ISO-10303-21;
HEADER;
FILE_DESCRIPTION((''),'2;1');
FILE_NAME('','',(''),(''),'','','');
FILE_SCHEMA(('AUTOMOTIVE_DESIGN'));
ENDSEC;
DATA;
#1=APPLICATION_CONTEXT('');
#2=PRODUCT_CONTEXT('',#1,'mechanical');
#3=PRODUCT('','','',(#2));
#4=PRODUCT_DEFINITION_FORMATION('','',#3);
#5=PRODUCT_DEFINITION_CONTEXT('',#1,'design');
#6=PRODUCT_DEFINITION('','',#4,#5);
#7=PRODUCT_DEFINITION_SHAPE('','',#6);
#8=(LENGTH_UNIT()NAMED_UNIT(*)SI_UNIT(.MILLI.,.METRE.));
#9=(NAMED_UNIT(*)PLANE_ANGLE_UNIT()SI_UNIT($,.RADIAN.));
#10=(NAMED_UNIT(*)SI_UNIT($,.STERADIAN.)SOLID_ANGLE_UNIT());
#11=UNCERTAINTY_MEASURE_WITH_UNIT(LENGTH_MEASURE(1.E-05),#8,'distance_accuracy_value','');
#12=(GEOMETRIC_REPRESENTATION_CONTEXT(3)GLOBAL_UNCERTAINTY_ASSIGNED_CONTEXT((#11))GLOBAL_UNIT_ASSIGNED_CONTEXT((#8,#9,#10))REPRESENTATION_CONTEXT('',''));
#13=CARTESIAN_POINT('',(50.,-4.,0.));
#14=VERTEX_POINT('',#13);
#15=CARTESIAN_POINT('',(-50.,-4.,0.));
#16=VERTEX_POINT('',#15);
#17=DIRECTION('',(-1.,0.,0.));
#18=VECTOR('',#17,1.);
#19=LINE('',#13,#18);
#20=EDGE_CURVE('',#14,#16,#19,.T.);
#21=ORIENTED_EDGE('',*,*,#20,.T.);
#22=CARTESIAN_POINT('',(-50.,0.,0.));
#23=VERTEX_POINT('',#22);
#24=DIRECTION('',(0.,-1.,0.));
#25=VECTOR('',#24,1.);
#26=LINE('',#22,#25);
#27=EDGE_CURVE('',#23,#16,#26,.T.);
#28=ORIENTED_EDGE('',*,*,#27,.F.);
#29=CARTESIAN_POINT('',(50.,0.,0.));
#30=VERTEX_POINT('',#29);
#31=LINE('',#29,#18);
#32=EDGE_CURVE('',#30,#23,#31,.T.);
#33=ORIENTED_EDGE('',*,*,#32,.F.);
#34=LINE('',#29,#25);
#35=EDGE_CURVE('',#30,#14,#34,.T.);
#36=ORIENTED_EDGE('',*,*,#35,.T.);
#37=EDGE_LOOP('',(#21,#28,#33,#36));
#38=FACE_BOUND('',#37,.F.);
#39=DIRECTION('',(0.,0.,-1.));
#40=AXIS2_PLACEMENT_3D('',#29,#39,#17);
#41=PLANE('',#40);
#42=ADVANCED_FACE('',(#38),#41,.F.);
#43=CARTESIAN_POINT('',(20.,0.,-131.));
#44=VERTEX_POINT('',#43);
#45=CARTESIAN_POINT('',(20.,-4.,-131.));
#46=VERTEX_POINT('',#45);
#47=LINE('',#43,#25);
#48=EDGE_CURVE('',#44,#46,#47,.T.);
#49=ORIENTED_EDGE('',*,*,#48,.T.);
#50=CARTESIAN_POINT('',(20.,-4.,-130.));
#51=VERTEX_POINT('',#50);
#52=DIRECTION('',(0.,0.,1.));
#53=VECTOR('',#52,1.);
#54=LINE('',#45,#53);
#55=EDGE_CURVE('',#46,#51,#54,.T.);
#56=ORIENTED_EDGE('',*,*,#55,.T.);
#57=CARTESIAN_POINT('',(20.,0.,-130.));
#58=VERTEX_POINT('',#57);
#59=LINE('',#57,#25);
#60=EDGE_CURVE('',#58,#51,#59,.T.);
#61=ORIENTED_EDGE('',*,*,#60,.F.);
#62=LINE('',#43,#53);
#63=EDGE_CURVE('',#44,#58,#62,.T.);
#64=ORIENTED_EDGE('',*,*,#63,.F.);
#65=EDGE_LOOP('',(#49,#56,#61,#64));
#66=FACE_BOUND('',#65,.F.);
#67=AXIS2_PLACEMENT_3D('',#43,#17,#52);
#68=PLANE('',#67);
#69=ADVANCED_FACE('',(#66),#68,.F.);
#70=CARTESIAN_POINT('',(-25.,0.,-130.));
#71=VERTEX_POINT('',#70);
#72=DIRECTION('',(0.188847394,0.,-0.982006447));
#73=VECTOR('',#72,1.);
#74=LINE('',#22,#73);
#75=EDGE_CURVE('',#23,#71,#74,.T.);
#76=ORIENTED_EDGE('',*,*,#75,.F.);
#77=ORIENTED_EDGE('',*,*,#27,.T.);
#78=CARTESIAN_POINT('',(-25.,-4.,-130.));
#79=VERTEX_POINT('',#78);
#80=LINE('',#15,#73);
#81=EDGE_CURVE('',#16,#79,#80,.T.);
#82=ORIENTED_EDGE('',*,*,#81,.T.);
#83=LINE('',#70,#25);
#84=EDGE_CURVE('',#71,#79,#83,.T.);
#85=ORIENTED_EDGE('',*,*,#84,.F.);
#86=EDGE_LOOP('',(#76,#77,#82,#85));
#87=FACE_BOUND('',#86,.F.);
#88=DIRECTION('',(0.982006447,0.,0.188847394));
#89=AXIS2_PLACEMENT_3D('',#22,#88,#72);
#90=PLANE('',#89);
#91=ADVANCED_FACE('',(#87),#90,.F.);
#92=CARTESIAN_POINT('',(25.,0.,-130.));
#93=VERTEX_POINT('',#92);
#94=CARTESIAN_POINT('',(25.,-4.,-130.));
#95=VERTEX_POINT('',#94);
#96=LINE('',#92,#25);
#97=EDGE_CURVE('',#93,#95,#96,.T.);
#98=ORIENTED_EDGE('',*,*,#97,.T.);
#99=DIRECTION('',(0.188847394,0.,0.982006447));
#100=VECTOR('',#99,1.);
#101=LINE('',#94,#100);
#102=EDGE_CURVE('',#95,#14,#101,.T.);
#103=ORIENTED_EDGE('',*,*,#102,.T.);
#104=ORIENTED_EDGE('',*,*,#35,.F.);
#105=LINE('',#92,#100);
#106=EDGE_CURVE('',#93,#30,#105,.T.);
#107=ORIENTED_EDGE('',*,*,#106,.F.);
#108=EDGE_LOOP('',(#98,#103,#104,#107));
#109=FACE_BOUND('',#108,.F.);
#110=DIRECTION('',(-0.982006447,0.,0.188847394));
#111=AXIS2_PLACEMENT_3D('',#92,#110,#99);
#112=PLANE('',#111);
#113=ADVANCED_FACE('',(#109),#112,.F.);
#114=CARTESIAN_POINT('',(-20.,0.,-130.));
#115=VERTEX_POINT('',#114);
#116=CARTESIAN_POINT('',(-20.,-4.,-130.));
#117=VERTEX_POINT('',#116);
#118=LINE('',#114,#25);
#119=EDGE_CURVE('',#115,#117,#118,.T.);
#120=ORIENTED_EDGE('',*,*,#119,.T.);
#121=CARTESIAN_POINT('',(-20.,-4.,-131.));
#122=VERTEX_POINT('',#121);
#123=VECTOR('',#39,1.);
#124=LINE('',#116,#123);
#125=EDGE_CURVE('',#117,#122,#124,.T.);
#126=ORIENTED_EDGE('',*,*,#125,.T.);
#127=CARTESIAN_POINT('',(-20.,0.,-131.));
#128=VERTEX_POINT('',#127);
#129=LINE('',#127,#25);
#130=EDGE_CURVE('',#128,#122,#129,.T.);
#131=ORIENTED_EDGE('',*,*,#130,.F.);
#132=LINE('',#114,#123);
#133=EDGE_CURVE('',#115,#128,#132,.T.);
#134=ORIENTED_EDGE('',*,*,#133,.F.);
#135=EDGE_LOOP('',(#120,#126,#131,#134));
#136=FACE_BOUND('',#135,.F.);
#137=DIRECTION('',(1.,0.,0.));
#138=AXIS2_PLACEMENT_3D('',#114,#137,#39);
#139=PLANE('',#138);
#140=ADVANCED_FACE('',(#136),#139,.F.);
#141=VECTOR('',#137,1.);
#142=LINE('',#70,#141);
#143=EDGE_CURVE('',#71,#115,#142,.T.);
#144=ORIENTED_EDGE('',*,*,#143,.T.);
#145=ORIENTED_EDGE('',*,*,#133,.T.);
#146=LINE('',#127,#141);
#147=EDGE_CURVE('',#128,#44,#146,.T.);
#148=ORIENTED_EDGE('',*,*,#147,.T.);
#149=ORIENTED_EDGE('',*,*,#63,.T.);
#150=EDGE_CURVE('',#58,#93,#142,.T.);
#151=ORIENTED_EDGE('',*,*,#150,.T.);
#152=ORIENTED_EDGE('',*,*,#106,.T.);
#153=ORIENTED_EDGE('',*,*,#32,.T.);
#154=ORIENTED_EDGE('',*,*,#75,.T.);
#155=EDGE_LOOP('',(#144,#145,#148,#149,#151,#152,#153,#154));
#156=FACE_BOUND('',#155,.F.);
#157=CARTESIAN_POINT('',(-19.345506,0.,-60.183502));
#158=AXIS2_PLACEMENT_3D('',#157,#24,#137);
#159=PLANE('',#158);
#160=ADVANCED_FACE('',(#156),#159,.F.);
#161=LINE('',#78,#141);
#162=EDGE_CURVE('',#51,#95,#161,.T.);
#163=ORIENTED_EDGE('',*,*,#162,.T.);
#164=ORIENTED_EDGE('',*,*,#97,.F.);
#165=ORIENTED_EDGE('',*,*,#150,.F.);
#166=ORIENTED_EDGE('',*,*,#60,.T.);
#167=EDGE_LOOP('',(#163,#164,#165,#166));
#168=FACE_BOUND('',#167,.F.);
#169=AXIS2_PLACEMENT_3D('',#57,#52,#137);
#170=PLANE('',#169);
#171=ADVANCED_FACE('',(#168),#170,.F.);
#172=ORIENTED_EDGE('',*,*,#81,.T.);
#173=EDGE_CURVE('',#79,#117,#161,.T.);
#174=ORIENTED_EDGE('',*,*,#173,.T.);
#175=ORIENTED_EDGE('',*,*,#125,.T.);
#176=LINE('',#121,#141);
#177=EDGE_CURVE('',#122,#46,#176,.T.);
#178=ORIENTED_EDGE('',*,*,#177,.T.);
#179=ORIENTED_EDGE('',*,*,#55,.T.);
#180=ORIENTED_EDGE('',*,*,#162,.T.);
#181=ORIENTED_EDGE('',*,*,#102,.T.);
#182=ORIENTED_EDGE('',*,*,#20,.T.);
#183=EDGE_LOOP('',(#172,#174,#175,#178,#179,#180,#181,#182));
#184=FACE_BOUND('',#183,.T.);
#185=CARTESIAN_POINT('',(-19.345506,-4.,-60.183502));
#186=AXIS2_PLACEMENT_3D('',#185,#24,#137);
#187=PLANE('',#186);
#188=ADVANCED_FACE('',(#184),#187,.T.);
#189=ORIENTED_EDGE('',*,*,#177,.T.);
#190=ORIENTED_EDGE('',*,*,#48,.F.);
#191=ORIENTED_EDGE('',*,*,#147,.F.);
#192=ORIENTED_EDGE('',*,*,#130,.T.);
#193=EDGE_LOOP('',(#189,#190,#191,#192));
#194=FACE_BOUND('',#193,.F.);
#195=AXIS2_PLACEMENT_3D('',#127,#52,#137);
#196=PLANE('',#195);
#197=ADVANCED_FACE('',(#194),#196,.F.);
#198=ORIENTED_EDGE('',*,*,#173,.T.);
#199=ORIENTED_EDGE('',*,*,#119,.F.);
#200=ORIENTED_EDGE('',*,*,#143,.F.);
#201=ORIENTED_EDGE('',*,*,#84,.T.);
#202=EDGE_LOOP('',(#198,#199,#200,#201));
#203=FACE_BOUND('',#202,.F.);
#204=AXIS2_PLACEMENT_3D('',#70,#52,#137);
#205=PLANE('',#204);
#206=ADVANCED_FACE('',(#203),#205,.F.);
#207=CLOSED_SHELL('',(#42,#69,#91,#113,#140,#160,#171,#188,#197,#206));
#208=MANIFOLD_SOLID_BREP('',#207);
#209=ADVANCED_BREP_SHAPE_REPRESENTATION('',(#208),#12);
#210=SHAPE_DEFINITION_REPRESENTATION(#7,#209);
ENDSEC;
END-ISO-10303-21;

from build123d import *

# Parameters (mm, degrees)
F1_DEPTH = 4


with BuildPart() as f1:
    # F0 (on Front) → F1 (new body)
    with BuildSketch(Plane.XZ):
        Polygon((0, -130), (0, 0), (-50, 0), (-25, -130), (-20, -130), align=None)
        Polygon((50, 0), (0, 0), (0, -130), (20, -130), (25, -130), align=None)
        Polygon((20, -130), (0, -130), (-20, -130), (-20, -131), (20, -131), align=None)
    extrude(amount=F1_DEPTH)


solid = f1.part
